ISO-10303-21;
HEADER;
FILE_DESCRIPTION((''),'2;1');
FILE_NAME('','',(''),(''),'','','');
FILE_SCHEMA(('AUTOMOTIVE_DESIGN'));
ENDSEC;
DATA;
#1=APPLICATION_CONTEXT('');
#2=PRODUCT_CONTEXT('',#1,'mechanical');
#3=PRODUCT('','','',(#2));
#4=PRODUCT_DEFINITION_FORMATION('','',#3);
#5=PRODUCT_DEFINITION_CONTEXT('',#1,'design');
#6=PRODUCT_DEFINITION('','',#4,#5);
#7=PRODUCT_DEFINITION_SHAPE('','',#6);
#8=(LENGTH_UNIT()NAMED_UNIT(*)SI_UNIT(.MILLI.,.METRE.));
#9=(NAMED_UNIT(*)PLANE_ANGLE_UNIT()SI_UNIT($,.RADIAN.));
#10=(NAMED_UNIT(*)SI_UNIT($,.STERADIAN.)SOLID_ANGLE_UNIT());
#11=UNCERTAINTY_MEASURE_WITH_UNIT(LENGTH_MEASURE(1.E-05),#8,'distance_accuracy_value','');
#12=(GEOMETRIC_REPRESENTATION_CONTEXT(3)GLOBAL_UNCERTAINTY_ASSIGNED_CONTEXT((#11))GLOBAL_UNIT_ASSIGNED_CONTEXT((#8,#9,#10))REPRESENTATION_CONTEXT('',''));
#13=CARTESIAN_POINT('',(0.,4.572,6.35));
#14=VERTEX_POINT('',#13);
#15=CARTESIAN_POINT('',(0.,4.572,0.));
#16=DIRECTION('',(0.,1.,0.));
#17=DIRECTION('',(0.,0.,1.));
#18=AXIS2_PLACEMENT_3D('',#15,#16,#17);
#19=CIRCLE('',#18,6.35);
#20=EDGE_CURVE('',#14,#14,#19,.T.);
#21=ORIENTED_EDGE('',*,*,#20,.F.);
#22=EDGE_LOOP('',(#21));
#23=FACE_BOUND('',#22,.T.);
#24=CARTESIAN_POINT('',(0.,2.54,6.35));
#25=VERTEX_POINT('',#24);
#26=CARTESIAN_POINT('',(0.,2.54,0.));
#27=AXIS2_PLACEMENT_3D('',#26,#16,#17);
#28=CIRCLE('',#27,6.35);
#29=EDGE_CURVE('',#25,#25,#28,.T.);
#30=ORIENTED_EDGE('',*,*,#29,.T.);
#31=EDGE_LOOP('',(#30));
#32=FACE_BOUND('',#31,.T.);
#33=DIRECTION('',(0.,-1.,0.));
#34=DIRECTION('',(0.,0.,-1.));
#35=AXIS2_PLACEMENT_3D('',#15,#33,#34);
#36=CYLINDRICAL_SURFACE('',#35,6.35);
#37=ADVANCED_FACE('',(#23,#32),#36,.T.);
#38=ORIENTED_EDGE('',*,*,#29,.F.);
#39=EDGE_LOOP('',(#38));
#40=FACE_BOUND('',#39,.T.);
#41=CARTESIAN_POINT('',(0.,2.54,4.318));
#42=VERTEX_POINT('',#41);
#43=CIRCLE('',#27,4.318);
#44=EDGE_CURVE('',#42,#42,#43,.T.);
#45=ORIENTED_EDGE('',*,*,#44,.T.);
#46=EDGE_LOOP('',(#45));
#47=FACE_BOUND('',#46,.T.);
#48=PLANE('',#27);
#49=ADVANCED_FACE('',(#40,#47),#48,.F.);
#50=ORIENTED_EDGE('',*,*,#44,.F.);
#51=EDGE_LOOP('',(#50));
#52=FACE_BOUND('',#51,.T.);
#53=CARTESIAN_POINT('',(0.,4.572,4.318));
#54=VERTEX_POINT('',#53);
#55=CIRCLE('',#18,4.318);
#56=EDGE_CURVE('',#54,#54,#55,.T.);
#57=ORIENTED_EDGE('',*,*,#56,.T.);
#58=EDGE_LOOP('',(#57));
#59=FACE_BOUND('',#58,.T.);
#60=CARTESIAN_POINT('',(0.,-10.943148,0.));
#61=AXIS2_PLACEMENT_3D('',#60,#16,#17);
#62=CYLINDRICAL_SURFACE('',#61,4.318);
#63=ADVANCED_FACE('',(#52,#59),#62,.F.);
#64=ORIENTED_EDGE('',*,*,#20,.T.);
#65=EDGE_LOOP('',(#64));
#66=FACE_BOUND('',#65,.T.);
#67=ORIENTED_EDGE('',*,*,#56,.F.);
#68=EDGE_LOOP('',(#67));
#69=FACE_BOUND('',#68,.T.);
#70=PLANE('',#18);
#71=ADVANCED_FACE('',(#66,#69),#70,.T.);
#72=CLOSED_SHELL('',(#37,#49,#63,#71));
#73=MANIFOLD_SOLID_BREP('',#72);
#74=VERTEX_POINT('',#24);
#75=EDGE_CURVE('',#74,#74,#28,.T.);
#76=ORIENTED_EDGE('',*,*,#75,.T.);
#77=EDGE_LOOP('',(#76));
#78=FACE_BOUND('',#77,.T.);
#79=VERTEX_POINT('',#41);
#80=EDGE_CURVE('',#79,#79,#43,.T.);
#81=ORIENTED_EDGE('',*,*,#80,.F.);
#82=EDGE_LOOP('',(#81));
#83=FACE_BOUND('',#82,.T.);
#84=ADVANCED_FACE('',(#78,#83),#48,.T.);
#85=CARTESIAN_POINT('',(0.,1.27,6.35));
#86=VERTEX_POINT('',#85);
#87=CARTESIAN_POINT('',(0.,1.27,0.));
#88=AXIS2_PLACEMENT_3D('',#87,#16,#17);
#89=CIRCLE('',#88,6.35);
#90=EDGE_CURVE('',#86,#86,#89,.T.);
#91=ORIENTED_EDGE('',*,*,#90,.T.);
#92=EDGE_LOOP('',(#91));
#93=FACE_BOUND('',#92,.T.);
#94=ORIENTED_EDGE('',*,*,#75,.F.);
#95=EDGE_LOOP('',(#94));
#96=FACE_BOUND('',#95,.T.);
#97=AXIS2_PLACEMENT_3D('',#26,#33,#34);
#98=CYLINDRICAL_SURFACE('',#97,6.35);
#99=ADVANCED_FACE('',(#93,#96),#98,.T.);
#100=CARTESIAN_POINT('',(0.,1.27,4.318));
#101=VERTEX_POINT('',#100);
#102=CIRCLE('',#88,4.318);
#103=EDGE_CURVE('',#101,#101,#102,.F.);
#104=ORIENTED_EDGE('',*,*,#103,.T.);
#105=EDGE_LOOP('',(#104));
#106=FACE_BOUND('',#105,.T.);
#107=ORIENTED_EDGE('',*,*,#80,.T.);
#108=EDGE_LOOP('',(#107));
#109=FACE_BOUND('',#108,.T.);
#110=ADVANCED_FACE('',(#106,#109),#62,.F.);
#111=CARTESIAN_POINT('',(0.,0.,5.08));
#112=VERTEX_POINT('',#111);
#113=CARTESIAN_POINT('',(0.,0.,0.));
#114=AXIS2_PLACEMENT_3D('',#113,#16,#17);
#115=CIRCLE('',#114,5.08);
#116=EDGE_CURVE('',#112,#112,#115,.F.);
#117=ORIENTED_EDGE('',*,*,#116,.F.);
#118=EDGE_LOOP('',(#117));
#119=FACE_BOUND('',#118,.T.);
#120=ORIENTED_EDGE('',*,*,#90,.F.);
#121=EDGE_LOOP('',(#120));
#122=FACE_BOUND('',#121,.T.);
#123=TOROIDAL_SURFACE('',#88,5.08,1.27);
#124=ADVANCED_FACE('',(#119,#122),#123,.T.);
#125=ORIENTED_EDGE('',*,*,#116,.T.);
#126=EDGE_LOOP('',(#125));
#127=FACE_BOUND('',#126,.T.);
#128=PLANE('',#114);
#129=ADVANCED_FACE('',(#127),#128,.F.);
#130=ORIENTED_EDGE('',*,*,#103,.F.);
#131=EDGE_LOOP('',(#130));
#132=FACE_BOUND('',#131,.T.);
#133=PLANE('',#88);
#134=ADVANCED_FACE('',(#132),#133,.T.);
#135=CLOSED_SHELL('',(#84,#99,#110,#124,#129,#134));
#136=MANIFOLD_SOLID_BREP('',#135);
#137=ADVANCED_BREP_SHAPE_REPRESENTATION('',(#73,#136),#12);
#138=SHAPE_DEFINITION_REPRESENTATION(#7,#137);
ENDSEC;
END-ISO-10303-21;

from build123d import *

# Parameters (mm, degrees)
SKETCH1_R           = 6.35
BOSS_EXTRUDE1_DEPTH = 2.54
FILLET2_R           = 1.27
SKETCH2_R           = 3.429
CUT_EXTRUDE2_DEPTH  = 1.27
SKETCH3_R           = 6.35
SKETCH3_R_2         = 3.429
BOSS_EXTRUDE2_DEPTH = 2.032
SKETCH4_R           = 3.96875
CUT_EXTRUDE3_DEPTH  = 3.302
SKETCH5_R           = 4.318
CUT_EXTRUDE4_DEPTH  = 3.302


with BuildPart() as part:
    # Sketch1 → Boss-Extrude1 (new body)
    with BuildSketch(Plane(origin=(0, 0, 0), x_dir=(1, 0, 0), z_dir=(0, 1, 0))):
        Circle(SKETCH1_R)
    extrude(amount=BOSS_EXTRUDE1_DEPTH)

    # Fillet2
    fillet2_edges = [part.edges().sort_by_distance(p)[0] for p in [
        (-6.35, 0, 0),
    ]]
    fillet(fillet2_edges, radius=FILLET2_R)

    # Sketch2 → Cut-Extrude2 (cut)
    with BuildSketch(Plane(origin=(0, 2.54, 0), x_dir=(1, 0, 0), z_dir=(0, 1, 0))):
        Circle(SKETCH2_R)
    extrude(amount=-CUT_EXTRUDE2_DEPTH, mode=Mode.SUBTRACT)


with BuildPart() as body_2:
    # Sketch3 → Boss-Extrude2 (new body)
    with BuildSketch(Plane(origin=(0, 2.54, 0), x_dir=(1, 0, 0), z_dir=(0, 1, 0))):
        Circle(SKETCH3_R)
        Circle(SKETCH3_R_2, mode=Mode.SUBTRACT)
    extrude(amount=BOSS_EXTRUDE2_DEPTH)


with BuildPart() as cut_extrude3_tool:
    # Sketch4 → Cut-Extrude3 (new body)
    with BuildSketch(Plane(origin=(0, 1.27, 0), x_dir=(1, 0, 0), z_dir=(0, 1, 0))):
        Circle(SKETCH4_R)
    extrude(amount=CUT_EXTRUDE3_DEPTH)


with BuildPart() as part_1:
    add(part.part)

    # Cut-Extrude3: cut by cut_extrude3_tool
    add(cut_extrude3_tool.part, mode=Mode.SUBTRACT)


with BuildPart() as body_2_1:
    add(body_2.part)

    # Cut-Extrude3: cut by cut_extrude3_tool
    add(cut_extrude3_tool.part, mode=Mode.SUBTRACT)


with BuildPart() as cut_extrude4_tool:
    # Sketch5 → Cut-Extrude4 (new body)
    with BuildSketch(Plane(origin=(0, 4.572, 0), x_dir=(1, 0, 0), z_dir=(0, 1, 0))):
        Circle(SKETCH5_R)
    extrude(amount=-CUT_EXTRUDE4_DEPTH)


with BuildPart() as part_2:
    add(part_1.part)

    # Cut-Extrude4: cut by cut_extrude4_tool
    add(cut_extrude4_tool.part, mode=Mode.SUBTRACT)


with BuildPart() as body_2_2:
    add(body_2_1.part)

    # Cut-Extrude4: cut by cut_extrude4_tool
    add(cut_extrude4_tool.part, mode=Mode.SUBTRACT)


solid = Compound([part_2.part, body_2_2.part])
